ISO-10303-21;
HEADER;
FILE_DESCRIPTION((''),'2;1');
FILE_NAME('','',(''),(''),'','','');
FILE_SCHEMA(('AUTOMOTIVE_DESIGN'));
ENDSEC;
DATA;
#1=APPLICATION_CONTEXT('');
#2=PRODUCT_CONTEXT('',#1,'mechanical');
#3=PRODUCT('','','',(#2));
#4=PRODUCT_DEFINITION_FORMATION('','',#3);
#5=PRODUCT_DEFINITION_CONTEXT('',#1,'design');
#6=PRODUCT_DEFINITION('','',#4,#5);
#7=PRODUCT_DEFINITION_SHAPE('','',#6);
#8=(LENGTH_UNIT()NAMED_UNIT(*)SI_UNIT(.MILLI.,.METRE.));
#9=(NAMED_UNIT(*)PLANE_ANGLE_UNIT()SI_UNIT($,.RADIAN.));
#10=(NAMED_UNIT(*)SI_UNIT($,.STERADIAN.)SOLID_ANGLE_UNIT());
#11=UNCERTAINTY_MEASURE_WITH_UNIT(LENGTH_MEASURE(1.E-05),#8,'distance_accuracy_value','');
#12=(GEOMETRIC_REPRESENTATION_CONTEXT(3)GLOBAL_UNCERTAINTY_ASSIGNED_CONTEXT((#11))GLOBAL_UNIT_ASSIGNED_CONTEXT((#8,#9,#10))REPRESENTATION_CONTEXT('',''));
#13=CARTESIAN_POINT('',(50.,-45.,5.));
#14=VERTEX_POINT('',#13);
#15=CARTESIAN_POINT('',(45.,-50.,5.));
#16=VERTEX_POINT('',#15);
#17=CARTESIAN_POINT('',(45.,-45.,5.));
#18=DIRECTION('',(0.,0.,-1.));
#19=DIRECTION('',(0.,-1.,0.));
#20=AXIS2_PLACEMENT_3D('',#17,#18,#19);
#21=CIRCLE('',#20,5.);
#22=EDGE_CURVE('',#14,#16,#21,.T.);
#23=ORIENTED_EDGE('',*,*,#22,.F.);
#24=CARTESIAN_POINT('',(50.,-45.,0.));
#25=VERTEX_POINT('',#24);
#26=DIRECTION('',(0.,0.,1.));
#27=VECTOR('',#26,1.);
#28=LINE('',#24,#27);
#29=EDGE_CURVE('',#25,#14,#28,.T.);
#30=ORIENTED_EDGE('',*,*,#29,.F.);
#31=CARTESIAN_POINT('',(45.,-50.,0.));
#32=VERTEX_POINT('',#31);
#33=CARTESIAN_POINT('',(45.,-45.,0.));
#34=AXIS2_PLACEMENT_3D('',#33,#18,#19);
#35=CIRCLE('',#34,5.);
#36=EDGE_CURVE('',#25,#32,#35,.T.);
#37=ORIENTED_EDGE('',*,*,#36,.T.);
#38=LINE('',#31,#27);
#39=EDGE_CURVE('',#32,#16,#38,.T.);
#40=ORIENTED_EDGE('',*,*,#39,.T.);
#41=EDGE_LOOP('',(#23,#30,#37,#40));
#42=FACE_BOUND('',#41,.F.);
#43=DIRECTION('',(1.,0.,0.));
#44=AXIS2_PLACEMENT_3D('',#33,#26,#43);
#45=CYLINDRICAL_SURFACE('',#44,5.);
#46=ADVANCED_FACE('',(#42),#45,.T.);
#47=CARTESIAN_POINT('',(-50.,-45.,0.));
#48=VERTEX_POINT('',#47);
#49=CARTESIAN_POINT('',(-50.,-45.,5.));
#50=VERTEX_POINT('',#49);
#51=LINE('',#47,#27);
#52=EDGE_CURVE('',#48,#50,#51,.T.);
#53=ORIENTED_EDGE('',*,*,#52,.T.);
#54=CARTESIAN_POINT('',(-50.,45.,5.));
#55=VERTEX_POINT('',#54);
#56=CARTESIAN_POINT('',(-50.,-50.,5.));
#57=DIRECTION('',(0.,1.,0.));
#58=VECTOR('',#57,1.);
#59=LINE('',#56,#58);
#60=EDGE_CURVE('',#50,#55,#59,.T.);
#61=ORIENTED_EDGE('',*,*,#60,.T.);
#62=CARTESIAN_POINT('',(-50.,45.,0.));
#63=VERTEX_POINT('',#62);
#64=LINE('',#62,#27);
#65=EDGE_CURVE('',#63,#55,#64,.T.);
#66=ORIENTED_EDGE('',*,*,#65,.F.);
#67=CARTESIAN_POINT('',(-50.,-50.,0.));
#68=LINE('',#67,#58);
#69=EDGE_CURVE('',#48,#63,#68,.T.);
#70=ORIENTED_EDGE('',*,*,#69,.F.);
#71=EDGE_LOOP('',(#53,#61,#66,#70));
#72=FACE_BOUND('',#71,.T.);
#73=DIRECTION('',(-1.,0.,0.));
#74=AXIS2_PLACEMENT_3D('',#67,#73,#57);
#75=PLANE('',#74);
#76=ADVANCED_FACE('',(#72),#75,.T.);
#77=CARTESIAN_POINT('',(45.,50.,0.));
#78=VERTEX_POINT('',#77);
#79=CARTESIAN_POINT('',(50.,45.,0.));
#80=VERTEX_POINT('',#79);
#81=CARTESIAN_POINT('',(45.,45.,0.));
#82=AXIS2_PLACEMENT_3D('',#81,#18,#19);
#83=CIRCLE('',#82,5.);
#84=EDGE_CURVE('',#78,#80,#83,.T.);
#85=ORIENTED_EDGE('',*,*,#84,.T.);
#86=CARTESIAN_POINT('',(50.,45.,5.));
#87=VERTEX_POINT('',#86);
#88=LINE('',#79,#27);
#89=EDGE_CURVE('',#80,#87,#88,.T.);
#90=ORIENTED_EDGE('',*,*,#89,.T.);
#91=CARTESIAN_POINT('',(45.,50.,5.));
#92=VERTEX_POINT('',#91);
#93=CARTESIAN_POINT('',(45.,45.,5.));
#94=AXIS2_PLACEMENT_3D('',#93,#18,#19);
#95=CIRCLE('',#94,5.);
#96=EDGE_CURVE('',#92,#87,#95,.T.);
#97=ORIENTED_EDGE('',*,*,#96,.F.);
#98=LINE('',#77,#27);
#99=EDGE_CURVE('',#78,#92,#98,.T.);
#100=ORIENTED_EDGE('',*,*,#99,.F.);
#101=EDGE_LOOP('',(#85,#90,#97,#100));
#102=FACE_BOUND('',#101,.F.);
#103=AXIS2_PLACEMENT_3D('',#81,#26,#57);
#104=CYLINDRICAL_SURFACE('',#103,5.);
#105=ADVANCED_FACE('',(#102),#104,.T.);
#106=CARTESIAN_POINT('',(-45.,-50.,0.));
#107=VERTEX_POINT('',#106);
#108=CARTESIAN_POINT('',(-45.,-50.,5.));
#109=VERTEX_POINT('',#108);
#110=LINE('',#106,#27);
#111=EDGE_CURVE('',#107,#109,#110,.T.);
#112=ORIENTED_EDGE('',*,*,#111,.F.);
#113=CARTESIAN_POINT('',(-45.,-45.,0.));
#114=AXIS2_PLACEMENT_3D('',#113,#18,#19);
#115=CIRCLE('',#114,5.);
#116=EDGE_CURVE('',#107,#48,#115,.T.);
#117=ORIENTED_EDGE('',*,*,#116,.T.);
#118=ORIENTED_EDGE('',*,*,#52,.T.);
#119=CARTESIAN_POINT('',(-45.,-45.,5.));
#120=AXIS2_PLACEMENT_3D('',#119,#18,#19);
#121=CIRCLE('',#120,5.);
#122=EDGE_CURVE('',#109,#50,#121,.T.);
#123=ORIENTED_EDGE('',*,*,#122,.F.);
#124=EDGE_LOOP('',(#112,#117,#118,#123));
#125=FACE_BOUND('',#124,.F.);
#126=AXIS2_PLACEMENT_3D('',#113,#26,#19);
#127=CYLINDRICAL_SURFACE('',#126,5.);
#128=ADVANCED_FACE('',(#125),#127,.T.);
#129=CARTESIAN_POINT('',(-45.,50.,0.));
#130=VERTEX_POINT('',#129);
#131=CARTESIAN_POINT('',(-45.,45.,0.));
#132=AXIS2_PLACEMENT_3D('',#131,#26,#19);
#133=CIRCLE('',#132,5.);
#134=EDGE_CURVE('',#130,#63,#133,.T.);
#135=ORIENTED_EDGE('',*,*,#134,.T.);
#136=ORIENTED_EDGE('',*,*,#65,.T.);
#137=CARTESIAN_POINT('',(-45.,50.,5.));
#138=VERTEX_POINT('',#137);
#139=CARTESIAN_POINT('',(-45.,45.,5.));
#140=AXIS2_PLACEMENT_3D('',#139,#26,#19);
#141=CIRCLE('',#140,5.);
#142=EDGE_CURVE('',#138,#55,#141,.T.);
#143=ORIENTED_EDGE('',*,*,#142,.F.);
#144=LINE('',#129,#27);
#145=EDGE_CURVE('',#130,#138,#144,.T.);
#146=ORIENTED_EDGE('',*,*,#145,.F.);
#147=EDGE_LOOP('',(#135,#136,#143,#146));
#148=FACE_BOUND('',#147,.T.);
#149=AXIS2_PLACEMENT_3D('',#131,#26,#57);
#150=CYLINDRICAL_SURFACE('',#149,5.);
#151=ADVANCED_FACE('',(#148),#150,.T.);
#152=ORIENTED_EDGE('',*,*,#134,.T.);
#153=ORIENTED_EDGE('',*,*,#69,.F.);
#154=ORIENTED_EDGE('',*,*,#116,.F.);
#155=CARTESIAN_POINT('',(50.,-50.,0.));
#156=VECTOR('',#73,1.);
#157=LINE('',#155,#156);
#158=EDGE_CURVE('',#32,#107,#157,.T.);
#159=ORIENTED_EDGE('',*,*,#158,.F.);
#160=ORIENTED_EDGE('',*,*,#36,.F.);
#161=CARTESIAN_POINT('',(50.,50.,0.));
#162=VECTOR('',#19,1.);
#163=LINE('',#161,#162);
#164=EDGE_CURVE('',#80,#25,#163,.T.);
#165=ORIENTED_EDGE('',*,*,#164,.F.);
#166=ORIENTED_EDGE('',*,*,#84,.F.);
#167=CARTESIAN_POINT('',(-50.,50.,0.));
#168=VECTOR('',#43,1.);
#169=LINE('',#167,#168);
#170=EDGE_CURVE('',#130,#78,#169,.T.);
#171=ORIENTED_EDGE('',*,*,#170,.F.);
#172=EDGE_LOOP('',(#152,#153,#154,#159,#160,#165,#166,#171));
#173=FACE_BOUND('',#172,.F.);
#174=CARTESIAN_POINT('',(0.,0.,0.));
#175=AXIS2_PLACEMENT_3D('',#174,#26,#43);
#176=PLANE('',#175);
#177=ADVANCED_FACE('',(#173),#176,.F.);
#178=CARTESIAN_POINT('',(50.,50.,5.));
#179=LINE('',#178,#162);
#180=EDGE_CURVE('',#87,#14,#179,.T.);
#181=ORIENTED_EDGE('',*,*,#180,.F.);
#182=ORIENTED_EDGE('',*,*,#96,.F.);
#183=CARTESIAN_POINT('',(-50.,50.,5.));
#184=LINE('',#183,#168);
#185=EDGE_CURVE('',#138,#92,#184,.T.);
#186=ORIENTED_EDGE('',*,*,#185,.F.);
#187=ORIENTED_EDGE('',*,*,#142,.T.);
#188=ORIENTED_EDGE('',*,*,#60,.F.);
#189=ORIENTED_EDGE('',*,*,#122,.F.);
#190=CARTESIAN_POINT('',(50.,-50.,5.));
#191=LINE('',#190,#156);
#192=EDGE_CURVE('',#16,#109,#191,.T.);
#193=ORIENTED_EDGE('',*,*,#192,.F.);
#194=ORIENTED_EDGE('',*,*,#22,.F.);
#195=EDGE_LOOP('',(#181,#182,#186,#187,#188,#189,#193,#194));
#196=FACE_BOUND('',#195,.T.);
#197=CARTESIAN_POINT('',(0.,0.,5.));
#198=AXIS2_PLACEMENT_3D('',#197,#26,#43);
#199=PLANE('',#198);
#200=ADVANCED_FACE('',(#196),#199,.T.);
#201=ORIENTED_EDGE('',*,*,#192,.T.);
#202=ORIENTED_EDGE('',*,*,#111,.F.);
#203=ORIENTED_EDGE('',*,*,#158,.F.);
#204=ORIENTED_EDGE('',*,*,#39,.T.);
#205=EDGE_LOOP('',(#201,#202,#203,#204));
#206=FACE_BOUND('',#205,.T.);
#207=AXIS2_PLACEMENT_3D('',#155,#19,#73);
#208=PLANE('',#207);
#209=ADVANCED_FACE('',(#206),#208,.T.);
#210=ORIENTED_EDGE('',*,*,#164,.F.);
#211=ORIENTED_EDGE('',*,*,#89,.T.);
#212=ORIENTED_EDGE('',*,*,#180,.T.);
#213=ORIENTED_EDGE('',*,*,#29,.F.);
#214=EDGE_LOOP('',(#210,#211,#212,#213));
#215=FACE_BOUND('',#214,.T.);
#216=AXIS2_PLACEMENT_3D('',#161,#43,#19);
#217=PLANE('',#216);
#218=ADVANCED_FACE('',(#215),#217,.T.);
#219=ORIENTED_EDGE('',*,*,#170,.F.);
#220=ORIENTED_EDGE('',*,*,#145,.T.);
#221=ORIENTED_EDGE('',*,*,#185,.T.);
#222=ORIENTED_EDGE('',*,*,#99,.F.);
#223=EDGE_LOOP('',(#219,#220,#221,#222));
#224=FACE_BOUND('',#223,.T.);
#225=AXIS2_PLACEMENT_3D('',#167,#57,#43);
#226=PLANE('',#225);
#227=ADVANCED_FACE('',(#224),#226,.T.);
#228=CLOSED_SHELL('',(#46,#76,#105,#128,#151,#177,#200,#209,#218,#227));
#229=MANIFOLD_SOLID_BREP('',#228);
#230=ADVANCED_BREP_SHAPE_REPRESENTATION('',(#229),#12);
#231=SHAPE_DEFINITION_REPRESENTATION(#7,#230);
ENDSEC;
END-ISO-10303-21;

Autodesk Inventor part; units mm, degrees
ref_plane "YZ Plane" through (0, 0, 0) normal (1, 0, 0) x (0, 1, 0)
ref_plane "XZ Plane" through (0, 0, 0) normal (0, 1, 0) x (-1, 0, 0)
ref_plane "XY Plane" through (0, 0, 0) normal (0, 0, 1) x (1, 0, 0)
sketch "Sketch1" plane through (0, 0, 0) normal (0, 0, 1) x (1, 0, 0)
  line L0 (0, 20.1746) -> (0, -21.4461) construction
  line L1 (-20.2028, 0) -> (20.1685, 0) construction
  line L2 (-50, 50) -> (50, 50)
  line L3 (50, 50) -> (50, -50)
  line L4 (50, -50) -> (-50, -50)
  line L5 (-50, -50) -> (-50, 50)
  point P0 (0, 0)
  dimension "d0" = 100
  dimension "d1" = 50
  dimension "d2" = 100
  dimension "d3" = 50
extrude "Extrusion1" add sketch "Sketch1" along normal blind 5
fillet "Fillet1" radius 5 4 edges at (50, 50, 2.5) (-50, 50, 2.5) (50, -50, 2.5) (-50, -50, 2.5)
chamfer "Chamfer1" [suppressed]
equation "\"d0\" = height"
equation "\"d1\" = 0.5 * height"
equation "\"d2\" = width"
equation "\"d3\" = 0.5 * width"
equation "\"d4\" = thickness"
equation "\"d6\" = fillet"
equation "\"fillet\" = 5"
equation "\"chamfer\" = 0"
equation "\"thickness\" = 5"
equation "\"width\" = 100"
equation "\"height\" = 100"
properties part number "Plate Filleted Corners (mm) 100 x 100 x 5" material "Steel, Mild"
